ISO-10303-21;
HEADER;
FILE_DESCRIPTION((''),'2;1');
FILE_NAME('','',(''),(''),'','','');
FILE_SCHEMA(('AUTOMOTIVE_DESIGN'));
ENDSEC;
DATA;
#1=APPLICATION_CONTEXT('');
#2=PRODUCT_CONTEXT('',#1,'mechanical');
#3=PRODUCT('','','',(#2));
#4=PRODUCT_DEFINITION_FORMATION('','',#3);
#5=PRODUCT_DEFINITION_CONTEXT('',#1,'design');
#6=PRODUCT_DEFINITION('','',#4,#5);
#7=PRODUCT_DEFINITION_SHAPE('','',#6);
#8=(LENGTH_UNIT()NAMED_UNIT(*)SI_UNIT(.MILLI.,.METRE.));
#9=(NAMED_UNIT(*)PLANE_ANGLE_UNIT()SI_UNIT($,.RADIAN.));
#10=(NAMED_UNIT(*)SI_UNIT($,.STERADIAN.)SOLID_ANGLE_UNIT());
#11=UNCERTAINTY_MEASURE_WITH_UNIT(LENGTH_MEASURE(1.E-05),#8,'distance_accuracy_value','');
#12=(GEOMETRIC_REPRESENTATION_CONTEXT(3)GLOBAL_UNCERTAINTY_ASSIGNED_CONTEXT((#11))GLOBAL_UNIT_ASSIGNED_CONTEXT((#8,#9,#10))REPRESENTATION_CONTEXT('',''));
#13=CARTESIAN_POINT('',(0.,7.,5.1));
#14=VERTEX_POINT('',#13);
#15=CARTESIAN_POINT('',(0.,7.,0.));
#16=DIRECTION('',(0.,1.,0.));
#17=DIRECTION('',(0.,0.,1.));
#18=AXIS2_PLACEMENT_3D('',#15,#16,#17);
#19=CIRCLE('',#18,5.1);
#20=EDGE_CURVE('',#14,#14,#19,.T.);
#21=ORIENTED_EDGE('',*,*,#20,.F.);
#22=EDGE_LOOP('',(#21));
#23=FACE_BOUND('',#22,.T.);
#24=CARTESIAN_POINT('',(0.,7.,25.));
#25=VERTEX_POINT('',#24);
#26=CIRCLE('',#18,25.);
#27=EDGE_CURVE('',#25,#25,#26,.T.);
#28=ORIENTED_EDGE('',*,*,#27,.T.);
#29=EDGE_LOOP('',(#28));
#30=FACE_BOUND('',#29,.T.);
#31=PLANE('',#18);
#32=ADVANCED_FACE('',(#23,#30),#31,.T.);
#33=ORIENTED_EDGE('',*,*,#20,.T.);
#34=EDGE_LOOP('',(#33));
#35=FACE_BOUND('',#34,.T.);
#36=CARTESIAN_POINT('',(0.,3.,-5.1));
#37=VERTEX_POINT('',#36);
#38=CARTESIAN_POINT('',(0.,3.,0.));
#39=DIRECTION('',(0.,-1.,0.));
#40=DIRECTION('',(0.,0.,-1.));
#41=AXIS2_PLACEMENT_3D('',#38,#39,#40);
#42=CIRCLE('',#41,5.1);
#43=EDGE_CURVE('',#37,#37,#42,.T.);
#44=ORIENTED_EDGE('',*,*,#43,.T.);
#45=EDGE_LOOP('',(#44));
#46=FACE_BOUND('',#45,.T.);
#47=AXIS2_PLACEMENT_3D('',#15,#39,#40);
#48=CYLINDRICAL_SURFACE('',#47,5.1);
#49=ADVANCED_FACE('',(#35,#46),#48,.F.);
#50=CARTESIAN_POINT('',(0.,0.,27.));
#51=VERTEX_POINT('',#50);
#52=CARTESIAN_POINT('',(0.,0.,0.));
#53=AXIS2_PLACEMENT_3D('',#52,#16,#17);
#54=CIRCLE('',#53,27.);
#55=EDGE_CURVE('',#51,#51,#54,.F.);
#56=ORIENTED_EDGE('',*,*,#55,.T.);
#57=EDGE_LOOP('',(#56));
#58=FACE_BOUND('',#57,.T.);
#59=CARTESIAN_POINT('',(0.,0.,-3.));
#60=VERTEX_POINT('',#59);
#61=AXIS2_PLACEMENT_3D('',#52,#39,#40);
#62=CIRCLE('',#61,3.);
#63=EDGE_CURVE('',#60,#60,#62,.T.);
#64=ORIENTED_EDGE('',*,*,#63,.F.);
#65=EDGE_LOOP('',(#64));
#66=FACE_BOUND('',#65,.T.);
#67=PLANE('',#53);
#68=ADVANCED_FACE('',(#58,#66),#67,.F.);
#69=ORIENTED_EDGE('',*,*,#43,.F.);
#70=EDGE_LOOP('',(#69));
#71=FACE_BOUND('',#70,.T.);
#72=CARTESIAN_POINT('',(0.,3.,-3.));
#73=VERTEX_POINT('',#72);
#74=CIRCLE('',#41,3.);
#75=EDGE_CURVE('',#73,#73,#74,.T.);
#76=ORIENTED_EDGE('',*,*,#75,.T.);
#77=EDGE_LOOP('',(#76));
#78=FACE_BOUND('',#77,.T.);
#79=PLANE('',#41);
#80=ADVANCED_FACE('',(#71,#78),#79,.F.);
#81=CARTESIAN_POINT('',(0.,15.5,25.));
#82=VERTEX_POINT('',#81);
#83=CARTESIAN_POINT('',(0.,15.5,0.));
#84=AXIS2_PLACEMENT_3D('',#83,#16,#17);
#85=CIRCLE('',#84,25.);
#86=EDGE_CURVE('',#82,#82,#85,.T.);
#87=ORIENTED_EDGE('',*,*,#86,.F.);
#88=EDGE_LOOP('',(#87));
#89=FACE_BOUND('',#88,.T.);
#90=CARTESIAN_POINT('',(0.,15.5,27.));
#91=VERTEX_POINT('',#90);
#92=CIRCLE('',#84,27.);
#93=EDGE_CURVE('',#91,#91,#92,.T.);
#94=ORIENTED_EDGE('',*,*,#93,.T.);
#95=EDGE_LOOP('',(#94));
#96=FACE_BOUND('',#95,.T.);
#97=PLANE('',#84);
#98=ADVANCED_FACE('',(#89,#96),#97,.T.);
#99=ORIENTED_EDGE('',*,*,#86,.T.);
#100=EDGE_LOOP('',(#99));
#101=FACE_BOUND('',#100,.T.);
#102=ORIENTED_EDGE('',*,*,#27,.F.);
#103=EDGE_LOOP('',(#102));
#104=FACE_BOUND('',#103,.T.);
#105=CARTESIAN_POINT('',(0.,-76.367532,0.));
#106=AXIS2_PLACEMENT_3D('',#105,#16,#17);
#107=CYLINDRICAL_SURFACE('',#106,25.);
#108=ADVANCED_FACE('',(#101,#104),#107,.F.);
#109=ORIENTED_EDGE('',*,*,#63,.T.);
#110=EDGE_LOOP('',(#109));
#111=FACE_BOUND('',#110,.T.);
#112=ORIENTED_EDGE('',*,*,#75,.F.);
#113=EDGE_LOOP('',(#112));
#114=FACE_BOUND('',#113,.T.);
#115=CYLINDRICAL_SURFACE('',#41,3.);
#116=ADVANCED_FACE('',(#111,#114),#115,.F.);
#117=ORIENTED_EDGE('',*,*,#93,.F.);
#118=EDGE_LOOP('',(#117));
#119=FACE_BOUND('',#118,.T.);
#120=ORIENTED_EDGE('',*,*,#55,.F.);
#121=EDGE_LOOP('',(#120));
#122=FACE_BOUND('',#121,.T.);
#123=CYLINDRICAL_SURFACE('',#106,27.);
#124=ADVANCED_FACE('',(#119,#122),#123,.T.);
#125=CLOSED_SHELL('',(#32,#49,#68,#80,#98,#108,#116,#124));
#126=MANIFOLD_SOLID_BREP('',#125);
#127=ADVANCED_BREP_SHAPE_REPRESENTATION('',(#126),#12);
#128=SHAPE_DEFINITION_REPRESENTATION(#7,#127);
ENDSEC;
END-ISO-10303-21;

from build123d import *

# Parameters (mm, degrees)
ESQUISSE1_R             = 25
ESQUISSE1_R_2           = 5.1
BOSS_EXTRU_1_DEPTH      = 7
ESQUISSE2_R             = 25
ESQUISSE2_R_2           = 3
BOSS_EXTRU_2_DEPTH      = 3
BOSS_EXTRU_3_DEPTH      = 8.5
BOSS_EXTRU_3_DEPTH_BACK = 7
ESQUISSE3_R             = 27
ESQUISSE3_R_2           = 25


with BuildPart() as part:
    # Esquisse1 → Boss.-Extru.1 (new body)
    with BuildSketch(Plane(origin=(0, 0, 0), x_dir=(1, 0, 0), z_dir=(0, 1, 0))):
        with Locations(Location((0, 0, 0), (0, 0, 270))):
            Circle(ESQUISSE1_R)
        with Locations(Location((0, 0, 0), (0, 0, 270))):
            Circle(ESQUISSE1_R_2, mode=Mode.SUBTRACT)
    extrude(amount=BOSS_EXTRU_1_DEPTH)

    # Esquisse2 → Boss.-Extru.2 (add)
    with BuildSketch(Plane.XZ):
        with Locations(Location((0, 0, 0), (0, 0, 90))):
            Circle(ESQUISSE2_R)
        with Locations(Location((0, 0, 0), (0, 0, 270))):
            Circle(ESQUISSE2_R_2, mode=Mode.SUBTRACT)
    extrude(amount=-BOSS_EXTRU_2_DEPTH)

    # Esquisse3 → Boss.-Extru.3 (add, two sides: drawn at the far end of the back side and taken through both)
    with BuildSketch(Plane(origin=(0, 7, 0), x_dir=(1, 0, 0), z_dir=(0, 1, 0)).offset(-BOSS_EXTRU_3_DEPTH_BACK)):
        with Locations(Location((0, 0, 0), (0, 0, 270))):
            Circle(ESQUISSE3_R)
        with Locations(Location((0, 0, 0), (0, 0, 270))):
            Circle(ESQUISSE3_R_2, mode=Mode.SUBTRACT)
    extrude(amount=BOSS_EXTRU_3_DEPTH + BOSS_EXTRU_3_DEPTH_BACK)


solid = part.part
